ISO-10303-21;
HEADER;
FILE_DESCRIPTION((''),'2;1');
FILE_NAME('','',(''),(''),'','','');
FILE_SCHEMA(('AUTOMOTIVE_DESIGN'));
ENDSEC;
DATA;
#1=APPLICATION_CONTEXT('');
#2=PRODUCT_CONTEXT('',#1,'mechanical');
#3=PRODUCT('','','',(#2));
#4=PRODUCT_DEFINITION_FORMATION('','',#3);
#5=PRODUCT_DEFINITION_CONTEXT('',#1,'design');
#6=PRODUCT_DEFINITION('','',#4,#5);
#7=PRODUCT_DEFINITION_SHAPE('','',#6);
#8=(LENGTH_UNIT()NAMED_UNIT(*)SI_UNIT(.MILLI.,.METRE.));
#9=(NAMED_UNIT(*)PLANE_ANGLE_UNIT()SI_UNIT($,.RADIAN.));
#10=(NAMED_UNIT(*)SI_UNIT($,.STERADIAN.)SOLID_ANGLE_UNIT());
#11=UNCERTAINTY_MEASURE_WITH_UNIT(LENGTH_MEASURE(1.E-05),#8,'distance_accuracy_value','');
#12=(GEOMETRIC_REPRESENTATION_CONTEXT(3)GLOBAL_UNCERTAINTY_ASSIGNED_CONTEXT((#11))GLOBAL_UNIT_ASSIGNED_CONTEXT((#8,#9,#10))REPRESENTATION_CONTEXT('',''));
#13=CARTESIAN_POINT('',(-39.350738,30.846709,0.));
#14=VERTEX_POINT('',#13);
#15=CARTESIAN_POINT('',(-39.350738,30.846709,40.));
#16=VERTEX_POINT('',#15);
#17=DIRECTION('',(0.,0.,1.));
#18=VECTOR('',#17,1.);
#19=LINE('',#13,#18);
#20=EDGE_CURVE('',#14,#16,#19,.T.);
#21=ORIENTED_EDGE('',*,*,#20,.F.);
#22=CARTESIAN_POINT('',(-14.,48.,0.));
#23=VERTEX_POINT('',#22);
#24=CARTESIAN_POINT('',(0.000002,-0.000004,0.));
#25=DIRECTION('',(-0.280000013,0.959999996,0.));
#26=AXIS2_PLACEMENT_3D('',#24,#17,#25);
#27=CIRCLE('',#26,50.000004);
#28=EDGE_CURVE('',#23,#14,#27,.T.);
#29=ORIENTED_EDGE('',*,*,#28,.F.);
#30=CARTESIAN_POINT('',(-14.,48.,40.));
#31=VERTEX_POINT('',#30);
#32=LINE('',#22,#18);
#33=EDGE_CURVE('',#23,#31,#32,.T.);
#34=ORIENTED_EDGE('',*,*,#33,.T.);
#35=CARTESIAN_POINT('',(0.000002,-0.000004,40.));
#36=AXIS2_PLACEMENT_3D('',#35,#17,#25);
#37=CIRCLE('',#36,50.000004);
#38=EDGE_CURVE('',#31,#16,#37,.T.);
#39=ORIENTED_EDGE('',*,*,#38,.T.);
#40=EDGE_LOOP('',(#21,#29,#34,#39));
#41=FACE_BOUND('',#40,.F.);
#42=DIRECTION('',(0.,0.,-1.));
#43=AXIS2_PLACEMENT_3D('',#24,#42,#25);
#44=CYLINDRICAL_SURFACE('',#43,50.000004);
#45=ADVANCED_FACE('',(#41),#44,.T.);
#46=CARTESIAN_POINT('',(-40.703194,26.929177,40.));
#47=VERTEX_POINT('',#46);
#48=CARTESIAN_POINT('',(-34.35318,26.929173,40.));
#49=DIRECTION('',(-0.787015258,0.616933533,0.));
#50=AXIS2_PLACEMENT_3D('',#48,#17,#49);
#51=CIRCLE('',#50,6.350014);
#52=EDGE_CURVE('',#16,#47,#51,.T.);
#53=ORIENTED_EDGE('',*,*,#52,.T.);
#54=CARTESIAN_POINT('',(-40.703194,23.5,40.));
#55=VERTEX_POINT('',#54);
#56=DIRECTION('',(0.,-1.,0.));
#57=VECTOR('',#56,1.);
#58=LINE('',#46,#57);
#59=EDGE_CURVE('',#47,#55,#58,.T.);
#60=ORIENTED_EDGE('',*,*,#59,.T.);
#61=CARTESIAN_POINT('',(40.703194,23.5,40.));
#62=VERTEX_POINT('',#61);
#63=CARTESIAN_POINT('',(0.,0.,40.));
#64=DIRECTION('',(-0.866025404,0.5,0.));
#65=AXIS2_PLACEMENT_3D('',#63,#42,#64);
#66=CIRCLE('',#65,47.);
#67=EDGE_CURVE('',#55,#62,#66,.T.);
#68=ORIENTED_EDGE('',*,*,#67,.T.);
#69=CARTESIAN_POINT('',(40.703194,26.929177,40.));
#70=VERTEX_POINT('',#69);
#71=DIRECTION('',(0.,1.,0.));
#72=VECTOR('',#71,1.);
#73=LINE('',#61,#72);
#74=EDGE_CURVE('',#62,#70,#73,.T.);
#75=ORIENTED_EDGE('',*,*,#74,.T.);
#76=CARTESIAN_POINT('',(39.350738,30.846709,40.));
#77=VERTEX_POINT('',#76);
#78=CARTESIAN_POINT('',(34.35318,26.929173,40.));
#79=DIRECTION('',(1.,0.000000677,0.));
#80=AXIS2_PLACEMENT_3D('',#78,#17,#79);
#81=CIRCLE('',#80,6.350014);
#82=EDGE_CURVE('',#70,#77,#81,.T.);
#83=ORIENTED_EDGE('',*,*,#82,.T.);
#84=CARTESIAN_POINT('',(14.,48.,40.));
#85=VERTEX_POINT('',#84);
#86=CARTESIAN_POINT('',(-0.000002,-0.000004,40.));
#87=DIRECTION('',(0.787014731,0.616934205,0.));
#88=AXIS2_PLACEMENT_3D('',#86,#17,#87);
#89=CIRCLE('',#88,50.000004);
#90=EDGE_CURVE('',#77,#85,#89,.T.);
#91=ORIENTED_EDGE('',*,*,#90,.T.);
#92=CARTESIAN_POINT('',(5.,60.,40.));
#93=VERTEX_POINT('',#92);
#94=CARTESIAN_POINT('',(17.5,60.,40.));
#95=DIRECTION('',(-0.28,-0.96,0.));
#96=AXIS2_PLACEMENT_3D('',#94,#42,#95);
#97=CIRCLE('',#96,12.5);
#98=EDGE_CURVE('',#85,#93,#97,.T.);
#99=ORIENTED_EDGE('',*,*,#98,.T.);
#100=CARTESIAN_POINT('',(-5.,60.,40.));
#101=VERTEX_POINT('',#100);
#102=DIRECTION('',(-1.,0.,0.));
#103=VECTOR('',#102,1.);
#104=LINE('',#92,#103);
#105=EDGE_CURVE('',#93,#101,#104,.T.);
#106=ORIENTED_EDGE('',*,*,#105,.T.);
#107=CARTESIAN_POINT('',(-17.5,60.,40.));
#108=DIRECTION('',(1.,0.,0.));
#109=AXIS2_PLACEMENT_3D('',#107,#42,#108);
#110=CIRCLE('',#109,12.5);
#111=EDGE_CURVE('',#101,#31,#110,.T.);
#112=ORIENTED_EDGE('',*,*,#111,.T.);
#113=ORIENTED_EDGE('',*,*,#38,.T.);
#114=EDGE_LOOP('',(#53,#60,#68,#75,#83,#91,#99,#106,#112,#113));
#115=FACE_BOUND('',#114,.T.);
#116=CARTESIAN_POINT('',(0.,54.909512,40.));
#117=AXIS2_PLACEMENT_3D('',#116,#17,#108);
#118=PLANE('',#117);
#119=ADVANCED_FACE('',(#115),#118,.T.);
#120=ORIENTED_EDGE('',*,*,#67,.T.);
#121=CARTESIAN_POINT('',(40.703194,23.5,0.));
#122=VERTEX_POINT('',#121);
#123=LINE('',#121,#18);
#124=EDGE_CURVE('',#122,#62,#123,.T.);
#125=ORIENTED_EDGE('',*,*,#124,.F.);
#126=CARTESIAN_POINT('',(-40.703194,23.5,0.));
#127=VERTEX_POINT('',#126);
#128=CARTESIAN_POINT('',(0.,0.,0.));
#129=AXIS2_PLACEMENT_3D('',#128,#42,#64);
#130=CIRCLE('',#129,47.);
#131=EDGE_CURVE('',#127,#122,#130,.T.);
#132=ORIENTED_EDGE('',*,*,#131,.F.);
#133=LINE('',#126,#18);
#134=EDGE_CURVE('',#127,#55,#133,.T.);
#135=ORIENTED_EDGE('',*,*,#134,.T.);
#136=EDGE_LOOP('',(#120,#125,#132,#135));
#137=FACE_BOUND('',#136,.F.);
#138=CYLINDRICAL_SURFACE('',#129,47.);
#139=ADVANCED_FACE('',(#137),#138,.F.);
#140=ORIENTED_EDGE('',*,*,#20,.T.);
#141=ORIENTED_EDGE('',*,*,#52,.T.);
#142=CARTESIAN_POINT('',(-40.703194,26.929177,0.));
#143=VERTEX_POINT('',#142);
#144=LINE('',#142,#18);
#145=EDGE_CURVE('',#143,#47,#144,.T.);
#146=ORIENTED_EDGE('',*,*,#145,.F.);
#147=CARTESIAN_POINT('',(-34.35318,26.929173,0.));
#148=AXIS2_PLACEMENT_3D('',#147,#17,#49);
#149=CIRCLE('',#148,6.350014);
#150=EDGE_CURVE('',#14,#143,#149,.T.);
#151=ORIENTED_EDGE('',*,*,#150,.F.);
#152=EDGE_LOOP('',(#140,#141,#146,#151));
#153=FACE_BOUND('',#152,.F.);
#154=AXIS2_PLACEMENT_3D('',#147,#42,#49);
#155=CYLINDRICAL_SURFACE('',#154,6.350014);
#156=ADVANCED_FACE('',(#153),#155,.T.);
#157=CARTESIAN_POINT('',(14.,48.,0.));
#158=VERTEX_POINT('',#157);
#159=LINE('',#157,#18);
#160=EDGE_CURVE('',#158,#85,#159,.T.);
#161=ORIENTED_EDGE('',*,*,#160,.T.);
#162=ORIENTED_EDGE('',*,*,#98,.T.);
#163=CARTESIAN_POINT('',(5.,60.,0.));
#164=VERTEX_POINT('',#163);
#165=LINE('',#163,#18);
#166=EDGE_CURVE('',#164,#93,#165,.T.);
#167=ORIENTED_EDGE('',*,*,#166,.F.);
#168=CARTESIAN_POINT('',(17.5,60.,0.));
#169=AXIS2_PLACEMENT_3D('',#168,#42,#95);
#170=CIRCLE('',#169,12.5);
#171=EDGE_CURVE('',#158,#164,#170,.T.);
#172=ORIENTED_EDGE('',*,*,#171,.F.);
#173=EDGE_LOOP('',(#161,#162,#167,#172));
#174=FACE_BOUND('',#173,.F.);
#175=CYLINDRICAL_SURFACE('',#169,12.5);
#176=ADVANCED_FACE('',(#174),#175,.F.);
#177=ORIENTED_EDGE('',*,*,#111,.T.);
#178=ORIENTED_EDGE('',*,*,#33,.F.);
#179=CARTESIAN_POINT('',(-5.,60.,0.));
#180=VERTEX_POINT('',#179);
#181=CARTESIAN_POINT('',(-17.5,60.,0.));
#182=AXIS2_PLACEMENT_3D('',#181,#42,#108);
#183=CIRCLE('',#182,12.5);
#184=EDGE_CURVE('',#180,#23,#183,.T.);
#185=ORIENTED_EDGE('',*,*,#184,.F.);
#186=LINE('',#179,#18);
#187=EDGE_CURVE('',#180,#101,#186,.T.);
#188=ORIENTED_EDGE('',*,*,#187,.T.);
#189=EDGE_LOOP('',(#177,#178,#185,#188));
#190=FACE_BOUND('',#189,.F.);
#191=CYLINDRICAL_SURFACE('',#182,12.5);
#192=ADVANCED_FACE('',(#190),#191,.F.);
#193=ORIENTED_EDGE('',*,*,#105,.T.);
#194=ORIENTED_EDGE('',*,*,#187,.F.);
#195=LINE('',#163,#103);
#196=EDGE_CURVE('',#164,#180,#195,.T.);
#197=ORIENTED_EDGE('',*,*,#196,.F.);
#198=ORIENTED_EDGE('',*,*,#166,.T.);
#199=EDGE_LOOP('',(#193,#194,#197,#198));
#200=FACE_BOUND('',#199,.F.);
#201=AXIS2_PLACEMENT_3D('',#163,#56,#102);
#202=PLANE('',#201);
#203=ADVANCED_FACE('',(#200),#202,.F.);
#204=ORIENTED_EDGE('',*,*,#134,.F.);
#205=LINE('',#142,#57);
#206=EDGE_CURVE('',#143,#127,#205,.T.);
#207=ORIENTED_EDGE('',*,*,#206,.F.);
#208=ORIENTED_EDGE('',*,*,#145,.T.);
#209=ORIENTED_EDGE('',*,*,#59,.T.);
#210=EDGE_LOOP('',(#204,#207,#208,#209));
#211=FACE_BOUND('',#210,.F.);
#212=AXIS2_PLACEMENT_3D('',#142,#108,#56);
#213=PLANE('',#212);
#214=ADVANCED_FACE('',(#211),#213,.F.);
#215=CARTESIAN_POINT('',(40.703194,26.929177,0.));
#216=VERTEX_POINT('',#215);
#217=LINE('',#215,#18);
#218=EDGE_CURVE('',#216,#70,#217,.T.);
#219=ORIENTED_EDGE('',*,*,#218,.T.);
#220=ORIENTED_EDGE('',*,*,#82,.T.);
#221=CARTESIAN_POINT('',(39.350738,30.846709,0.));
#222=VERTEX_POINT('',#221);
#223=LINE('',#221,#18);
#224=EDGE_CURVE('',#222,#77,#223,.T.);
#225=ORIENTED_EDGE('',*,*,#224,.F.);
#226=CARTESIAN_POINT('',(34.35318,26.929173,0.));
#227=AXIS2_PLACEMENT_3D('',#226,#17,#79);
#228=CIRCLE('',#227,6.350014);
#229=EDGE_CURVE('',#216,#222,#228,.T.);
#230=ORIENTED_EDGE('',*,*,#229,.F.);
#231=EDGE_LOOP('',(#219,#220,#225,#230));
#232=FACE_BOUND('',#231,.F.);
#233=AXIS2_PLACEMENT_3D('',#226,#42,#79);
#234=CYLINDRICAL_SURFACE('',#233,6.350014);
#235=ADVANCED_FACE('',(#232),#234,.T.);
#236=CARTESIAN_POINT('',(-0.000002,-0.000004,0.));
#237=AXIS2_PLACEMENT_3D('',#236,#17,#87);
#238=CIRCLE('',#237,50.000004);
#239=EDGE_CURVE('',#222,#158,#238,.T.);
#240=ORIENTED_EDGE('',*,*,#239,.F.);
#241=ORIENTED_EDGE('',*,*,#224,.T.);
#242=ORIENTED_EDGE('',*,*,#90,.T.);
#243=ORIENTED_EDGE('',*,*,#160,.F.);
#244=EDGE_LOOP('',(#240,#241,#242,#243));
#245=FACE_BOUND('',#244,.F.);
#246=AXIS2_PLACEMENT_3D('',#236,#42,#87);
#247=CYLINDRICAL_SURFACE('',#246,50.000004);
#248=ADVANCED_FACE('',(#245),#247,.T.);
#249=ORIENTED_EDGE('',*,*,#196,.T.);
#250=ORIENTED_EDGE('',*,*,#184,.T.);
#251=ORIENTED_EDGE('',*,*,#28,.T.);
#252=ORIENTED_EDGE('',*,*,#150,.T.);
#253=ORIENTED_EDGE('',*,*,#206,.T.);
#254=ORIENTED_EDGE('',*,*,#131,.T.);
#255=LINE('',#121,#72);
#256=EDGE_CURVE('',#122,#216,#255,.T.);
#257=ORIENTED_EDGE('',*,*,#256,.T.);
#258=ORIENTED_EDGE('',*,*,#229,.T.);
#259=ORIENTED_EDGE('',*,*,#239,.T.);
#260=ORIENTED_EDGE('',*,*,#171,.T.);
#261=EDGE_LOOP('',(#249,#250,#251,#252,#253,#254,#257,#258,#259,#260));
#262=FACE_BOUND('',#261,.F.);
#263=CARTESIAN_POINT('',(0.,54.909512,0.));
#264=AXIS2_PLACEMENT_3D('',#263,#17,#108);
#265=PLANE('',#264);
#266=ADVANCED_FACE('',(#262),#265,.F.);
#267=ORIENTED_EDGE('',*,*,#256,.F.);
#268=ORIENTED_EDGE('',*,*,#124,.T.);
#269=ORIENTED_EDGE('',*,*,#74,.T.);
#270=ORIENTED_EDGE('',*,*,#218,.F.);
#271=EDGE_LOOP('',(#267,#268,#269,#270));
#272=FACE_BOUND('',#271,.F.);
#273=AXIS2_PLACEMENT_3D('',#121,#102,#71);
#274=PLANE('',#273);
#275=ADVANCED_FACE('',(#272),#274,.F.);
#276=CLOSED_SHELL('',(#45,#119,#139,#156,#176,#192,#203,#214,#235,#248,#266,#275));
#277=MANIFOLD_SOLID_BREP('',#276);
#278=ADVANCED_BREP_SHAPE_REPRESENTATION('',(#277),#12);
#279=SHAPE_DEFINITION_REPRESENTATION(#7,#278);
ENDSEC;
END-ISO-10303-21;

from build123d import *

# Parameters (mm, degrees)
F1_DEPTH = 40


with BuildPart() as f1:
    # F0 (on Top) → F1 (new body)
    with BuildSketch(Plane.XY):
        with BuildLine():
            ThreePointArc((-5, 49.749372), (0, 50), (5, 49.749372))
            Line((5, 49.749372), (5, 60))
            Line((5, 60), (-5, 60))
            Line((-5, 60), (-5, 49.749372))
        make_face()
        with BuildLine():
            ThreePointArc((-14, 48), (-9.540182, 49.081411), (-5, 49.749372))
            Line((-5, 49.749372), (-5, 60))
            ThreePointArc((-5, 60), (-7.5, 52.5), (-14, 48))
        make_face()
        with BuildLine():
            ThreePointArc((5, 49.749372), (9.540182, 49.081411), (14, 48))
            ThreePointArc((14, 48), (7.5, 52.5), (5, 60))
            Line((5, 60), (5, 49.749372))
        make_face()
        with BuildLine():
            ThreePointArc((40.703194, 26.929177), (40.355564, 29.001385), (39.350738, 30.846709))
            ThreePointArc((39.350738, 30.846709), (28.020245, 41.410939), (14, 48))
            ThreePointArc((14, 48), (9.540182, 49.081411), (5, 49.749372))
            Line((5, 49.749372), (-5, 49.749372))
            ThreePointArc((-5, 49.749372), (-9.540182, 49.081411), (-14, 48))
            ThreePointArc((-14, 48), (-28.020245, 41.410939), (-39.350738, 30.846709))
            ThreePointArc((-39.350738, 30.846709), (-40.355564, 29.001385), (-40.703194, 26.929177))
            Line((-40.703194, 26.929177), (-40.703194, 23.5))
            ThreePointArc((-40.703194, 23.5), (0, 47), (40.703194, 23.5))
            Line((40.703194, 23.5), (40.703194, 26.929177))
        make_face()
        with BuildLine():
            Line((-5, 49.749372), (5, 49.749372))
            ThreePointArc((5, 49.749372), (0, 50), (-5, 49.749372))
        make_face()
    extrude(amount=F1_DEPTH)


solid = f1.part
